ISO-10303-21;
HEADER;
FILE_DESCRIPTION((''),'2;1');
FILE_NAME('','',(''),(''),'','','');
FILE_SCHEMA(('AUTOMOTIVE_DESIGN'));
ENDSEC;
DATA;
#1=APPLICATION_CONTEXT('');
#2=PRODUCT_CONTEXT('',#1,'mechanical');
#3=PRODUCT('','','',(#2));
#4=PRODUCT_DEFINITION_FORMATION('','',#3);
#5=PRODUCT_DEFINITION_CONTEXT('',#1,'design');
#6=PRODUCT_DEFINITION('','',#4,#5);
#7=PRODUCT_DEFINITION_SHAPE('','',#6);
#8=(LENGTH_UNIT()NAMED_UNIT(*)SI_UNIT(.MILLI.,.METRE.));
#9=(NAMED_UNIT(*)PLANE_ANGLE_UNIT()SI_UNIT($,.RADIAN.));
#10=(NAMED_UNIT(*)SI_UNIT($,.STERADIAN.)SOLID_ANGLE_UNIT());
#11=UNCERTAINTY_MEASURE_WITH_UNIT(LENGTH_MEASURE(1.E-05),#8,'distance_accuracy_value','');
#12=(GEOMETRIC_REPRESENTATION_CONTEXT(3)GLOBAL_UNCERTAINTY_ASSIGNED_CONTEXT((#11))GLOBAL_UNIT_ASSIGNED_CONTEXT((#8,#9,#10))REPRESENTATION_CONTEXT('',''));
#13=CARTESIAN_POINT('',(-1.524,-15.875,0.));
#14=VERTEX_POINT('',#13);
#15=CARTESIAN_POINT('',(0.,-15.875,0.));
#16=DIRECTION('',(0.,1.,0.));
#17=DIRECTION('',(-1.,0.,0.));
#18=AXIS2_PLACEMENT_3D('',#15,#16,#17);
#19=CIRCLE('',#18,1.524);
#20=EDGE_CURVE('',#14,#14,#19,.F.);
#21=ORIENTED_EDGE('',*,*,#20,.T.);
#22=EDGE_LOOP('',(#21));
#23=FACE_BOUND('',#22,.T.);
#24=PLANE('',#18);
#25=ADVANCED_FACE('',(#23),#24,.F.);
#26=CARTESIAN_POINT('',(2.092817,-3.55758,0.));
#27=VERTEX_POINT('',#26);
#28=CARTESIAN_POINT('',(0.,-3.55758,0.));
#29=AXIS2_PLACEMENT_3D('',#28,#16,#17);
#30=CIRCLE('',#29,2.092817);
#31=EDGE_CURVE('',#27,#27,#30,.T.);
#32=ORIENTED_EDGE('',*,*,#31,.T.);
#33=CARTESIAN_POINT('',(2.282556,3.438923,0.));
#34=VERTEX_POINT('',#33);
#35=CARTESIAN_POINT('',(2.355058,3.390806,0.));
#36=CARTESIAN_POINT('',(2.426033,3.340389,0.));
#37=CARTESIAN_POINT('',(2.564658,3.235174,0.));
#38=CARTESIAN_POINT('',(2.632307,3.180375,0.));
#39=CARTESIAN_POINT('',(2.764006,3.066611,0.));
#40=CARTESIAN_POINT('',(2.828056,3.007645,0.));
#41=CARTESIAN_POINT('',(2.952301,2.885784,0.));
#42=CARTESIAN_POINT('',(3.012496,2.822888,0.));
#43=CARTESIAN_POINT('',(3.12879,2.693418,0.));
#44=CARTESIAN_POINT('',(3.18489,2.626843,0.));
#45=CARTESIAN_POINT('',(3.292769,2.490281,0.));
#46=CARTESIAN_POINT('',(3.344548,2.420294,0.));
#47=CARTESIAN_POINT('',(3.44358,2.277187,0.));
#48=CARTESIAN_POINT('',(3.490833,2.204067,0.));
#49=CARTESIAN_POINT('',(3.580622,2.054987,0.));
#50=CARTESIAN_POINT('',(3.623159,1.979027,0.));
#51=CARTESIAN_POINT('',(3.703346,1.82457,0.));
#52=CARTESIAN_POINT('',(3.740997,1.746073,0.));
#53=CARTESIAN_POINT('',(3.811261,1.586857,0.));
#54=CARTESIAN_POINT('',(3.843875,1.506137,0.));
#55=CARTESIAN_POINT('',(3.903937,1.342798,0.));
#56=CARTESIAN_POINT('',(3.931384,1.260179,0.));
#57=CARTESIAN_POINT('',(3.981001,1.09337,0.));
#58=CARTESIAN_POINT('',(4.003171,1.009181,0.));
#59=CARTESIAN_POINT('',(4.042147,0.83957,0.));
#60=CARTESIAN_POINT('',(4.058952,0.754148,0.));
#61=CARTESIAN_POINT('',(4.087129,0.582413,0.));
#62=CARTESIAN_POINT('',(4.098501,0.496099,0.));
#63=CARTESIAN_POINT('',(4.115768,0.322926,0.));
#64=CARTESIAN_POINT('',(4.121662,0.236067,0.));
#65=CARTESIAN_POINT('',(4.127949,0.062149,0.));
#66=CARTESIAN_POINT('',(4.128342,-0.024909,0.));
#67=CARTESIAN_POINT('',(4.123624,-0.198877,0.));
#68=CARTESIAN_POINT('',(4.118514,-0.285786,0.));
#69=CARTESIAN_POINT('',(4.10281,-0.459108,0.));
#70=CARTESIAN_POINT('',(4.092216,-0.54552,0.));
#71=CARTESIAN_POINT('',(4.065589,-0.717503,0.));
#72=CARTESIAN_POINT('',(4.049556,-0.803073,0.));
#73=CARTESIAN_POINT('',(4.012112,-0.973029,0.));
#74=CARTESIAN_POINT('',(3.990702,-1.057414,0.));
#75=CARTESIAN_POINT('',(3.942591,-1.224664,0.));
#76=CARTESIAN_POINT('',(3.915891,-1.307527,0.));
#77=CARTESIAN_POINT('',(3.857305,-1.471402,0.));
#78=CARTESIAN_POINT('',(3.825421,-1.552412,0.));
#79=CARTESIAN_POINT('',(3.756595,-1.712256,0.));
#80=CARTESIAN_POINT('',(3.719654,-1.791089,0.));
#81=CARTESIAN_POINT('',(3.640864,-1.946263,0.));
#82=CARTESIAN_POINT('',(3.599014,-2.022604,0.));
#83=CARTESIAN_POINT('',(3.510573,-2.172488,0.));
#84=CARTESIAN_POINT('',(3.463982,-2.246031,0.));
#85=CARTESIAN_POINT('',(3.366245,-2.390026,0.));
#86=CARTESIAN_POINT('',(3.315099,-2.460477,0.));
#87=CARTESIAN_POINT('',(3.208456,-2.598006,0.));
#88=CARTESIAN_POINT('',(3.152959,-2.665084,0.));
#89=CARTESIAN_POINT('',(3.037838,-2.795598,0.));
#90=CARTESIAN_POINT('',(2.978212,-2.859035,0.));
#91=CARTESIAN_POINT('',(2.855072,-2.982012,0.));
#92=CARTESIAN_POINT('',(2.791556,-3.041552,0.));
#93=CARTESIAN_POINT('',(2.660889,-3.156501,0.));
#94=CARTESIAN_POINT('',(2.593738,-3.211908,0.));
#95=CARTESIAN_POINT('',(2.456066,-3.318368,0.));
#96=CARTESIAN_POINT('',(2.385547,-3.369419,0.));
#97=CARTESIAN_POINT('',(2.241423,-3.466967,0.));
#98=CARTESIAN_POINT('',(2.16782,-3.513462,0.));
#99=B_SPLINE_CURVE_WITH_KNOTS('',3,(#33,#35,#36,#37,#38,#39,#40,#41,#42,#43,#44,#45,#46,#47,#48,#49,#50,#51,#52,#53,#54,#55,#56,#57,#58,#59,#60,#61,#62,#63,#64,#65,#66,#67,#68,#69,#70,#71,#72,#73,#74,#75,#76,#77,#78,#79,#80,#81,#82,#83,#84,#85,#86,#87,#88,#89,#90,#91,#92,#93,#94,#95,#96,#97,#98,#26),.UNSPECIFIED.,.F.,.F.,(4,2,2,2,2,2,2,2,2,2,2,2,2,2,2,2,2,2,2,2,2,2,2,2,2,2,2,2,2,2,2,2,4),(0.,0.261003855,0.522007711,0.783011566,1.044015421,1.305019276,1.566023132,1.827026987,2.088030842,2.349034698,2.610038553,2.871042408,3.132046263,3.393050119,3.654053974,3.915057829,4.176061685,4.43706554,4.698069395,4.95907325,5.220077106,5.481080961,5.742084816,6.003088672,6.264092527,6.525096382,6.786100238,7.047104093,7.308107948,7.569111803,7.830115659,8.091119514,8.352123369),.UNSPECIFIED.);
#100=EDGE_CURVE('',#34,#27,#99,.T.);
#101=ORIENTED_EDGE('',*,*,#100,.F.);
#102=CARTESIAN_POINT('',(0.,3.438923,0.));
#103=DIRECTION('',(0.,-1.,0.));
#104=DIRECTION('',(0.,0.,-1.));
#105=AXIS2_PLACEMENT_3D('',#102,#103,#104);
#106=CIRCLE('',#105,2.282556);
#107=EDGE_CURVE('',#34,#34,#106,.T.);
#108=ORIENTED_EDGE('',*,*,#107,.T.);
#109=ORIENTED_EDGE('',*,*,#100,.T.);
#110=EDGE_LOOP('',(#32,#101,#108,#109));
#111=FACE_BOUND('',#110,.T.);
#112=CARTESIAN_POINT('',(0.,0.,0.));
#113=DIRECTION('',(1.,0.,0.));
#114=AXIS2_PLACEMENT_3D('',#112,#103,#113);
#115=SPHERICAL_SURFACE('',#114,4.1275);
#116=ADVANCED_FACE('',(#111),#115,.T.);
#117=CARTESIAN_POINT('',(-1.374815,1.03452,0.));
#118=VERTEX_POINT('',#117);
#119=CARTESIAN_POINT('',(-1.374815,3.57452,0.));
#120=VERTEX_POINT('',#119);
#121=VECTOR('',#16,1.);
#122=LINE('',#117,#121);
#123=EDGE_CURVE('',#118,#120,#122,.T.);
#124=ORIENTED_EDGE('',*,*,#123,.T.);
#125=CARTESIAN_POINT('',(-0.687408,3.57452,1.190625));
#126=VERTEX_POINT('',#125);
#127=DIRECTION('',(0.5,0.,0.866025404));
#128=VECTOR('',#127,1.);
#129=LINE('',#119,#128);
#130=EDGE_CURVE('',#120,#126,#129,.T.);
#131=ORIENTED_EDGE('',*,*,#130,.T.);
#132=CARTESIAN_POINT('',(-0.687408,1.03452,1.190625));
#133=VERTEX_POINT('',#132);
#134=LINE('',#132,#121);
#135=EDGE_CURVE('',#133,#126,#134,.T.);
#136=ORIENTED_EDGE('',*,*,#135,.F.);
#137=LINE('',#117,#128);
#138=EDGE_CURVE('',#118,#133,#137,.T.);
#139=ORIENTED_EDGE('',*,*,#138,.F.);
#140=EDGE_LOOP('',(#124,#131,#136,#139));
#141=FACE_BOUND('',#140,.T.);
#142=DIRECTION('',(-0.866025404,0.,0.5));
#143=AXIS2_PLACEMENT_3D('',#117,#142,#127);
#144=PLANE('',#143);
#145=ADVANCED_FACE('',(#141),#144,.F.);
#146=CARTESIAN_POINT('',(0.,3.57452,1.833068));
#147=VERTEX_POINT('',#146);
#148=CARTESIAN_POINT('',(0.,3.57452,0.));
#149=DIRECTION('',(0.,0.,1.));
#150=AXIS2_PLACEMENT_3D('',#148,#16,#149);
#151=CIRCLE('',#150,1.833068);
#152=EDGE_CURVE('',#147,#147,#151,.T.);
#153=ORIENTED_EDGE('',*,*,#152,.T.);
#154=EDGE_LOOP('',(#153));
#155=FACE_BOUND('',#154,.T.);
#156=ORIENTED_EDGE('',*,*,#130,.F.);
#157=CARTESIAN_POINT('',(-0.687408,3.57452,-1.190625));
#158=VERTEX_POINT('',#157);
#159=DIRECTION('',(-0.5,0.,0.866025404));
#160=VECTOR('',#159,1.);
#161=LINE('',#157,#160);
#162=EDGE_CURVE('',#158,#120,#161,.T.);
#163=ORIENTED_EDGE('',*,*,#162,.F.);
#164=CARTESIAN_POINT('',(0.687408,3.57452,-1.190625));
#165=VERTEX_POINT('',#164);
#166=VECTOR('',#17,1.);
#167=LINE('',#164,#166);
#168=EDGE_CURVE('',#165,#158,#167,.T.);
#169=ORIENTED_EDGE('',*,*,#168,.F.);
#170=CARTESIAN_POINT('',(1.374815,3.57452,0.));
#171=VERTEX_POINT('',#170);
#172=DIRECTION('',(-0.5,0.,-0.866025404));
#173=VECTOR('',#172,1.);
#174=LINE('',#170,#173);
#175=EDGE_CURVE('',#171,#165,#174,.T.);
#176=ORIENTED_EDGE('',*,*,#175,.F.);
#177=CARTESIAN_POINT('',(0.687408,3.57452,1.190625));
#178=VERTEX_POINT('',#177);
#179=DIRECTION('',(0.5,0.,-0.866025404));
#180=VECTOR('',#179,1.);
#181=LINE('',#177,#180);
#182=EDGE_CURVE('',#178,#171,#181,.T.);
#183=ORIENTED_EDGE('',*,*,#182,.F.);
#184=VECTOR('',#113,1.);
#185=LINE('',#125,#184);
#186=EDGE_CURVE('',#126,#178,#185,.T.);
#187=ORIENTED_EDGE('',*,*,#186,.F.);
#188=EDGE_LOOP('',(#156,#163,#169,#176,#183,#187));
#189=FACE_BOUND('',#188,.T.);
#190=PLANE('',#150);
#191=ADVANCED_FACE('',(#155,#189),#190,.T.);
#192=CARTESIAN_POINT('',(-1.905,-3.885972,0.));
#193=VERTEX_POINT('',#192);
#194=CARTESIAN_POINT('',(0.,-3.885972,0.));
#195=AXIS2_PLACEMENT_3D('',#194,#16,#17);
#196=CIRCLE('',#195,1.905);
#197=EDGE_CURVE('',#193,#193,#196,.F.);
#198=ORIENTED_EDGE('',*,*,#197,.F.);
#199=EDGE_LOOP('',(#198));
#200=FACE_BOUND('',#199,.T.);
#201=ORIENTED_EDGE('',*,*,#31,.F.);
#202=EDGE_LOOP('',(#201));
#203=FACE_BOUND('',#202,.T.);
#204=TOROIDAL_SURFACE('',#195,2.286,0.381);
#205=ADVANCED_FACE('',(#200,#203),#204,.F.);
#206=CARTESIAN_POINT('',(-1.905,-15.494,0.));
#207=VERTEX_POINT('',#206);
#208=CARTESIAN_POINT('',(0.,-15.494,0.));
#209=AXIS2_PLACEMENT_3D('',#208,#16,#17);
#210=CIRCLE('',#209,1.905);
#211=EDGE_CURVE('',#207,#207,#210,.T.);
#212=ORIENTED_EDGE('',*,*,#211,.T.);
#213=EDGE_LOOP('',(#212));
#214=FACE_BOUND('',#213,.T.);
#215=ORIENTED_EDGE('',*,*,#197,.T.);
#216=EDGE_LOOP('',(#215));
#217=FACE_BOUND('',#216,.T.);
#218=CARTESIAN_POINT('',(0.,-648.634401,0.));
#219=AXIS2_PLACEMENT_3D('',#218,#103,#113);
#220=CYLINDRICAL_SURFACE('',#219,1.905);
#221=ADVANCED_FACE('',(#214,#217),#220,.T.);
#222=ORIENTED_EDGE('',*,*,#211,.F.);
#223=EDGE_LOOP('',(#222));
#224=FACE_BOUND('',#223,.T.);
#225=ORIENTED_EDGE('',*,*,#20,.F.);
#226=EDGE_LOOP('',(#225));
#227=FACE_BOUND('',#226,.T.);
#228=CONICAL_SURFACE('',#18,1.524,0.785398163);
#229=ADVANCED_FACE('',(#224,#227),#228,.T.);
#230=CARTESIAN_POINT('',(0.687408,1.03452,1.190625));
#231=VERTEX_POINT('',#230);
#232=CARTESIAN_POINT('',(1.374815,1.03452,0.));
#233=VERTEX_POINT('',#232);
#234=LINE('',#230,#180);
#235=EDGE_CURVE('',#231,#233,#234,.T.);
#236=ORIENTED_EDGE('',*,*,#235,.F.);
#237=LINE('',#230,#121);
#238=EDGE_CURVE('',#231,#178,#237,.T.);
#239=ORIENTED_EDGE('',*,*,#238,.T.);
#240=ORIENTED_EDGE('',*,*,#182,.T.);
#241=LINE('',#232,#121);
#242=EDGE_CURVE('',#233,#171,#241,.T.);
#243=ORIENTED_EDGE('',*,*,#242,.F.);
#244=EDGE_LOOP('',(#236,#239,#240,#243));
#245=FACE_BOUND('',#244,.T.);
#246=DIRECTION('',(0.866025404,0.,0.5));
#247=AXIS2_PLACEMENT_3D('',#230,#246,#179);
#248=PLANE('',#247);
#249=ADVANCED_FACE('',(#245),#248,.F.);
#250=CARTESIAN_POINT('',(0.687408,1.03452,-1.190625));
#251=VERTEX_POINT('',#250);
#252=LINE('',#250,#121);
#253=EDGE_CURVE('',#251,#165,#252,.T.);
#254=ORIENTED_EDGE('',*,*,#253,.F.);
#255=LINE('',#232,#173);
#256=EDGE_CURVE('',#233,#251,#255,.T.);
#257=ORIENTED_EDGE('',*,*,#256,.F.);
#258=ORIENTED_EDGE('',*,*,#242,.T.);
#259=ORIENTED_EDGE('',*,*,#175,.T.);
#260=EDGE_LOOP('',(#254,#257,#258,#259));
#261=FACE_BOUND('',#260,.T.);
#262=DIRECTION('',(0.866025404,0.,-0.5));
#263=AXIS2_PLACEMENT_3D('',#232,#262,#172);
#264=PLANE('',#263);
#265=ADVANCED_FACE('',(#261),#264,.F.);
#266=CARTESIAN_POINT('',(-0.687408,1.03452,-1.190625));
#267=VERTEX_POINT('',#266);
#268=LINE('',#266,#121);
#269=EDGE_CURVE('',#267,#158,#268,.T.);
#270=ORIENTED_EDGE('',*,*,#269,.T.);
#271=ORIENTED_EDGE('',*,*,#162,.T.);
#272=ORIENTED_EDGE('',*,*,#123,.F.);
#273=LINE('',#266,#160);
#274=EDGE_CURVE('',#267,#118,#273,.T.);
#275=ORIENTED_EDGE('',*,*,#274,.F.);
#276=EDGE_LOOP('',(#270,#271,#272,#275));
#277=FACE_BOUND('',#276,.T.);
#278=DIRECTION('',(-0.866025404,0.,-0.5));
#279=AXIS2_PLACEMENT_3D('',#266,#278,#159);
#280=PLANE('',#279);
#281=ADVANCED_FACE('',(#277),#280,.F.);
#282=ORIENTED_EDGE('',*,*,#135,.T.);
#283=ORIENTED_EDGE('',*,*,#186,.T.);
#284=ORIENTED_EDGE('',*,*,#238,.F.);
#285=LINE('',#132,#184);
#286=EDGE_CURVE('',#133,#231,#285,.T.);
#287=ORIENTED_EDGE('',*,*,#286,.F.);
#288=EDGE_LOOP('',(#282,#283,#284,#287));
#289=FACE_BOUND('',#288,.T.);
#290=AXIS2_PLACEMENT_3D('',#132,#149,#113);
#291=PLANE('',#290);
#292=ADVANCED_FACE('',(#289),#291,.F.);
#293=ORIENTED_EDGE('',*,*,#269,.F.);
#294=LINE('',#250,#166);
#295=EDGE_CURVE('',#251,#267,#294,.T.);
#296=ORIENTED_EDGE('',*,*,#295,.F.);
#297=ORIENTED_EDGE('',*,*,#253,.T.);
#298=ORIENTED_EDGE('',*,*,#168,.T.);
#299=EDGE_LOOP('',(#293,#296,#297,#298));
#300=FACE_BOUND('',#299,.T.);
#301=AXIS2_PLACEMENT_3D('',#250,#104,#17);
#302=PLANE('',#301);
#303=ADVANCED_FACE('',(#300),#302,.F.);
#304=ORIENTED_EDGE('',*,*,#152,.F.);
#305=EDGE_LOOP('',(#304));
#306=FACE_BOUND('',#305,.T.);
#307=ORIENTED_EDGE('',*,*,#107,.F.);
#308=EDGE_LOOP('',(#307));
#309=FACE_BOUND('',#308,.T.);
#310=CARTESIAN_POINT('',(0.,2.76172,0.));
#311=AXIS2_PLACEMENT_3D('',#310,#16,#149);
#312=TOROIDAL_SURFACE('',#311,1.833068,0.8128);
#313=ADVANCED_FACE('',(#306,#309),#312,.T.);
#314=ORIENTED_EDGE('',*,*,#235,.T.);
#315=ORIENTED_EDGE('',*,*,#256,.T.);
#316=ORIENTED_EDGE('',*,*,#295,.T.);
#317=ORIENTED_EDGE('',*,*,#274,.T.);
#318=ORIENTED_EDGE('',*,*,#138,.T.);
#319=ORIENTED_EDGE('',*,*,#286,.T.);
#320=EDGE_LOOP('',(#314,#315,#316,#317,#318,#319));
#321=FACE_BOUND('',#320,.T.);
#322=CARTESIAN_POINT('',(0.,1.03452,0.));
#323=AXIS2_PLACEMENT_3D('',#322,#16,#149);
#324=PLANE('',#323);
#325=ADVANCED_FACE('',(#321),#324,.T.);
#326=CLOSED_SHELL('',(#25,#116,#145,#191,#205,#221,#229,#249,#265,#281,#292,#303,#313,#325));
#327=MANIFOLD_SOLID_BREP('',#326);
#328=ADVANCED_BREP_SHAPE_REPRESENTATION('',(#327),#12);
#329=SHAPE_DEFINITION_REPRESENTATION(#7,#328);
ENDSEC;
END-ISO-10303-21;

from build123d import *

# Parameters (mm, degrees)
FILLET1_R          = 0.381
CHAMFER1_SIZE      = 0.381
FILLET2_R          = 0.8128
CUT_EXTRUDE1_DEPTH = 2.54


with BuildPart() as part:
    # Sketch1 → Revolve1 (revolve)
    with BuildSketch(Plane.XY, mode=Mode.PRIVATE) as revolve1_sk:
        with BuildLine():
            Line((0, -15.875), (-1.905, -15.875))
            Line((-1.905, -15.875), (-1.905, -3.661588624))
            ThreePointArc((-1.905, -3.661588624), (-4.009330573, 0.980573609), (0, 4.1275))
            Line((0, 4.1275), (0, -15.875))
        make_face()
    revolve(revolve1_sk.sketch.rotate(Axis((0, -648.634401367, 0), (0, 1, 0)), 180), axis=Axis((0, -648.634401367, 0), (0, 1, 0)))

    # Fillet1
    fillet1_edges = [part.edges().sort_by_distance(p)[0] for p in [
        (-1.905, -3.661588624, 0),
    ]]
    fillet(fillet1_edges, radius=FILLET1_R)

    # Chamfer1
    chamfer1_edges = [part.edges().sort_by_distance(p)[0] for p in [
        (-1.905, -15.875, 0),
    ]]
    chamfer(chamfer1_edges, length=CHAMFER1_SIZE)

    # Split1
    split(bisect_by=Plane.ZX.offset(3.574519854), keep=Keep.BOTTOM)

    # Fillet2
    fillet2_edges = [part.edges().sort_by_distance(p)[0] for p in [
        (-2.06375, 3.574519854, 0),
    ]]
    fillet(fillet2_edges, radius=FILLET2_R)

    # Sketch3 → Cut-Extrude1 (cut)
    with BuildSketch(Plane(origin=(0, 3.574519854, 0), x_dir=(1, 0, 0), z_dir=(0, 1, 0))):
        Polygon((0.687407664, 1.190625), (-0.687407664, 1.190625), (-1.374815329, 0), (-0.687407664, -1.190625), (0.687407664, -1.190625), (1.374815329, 0), align=None)
    extrude(amount=-CUT_EXTRUDE1_DEPTH, mode=Mode.SUBTRACT)


solid = part.part
